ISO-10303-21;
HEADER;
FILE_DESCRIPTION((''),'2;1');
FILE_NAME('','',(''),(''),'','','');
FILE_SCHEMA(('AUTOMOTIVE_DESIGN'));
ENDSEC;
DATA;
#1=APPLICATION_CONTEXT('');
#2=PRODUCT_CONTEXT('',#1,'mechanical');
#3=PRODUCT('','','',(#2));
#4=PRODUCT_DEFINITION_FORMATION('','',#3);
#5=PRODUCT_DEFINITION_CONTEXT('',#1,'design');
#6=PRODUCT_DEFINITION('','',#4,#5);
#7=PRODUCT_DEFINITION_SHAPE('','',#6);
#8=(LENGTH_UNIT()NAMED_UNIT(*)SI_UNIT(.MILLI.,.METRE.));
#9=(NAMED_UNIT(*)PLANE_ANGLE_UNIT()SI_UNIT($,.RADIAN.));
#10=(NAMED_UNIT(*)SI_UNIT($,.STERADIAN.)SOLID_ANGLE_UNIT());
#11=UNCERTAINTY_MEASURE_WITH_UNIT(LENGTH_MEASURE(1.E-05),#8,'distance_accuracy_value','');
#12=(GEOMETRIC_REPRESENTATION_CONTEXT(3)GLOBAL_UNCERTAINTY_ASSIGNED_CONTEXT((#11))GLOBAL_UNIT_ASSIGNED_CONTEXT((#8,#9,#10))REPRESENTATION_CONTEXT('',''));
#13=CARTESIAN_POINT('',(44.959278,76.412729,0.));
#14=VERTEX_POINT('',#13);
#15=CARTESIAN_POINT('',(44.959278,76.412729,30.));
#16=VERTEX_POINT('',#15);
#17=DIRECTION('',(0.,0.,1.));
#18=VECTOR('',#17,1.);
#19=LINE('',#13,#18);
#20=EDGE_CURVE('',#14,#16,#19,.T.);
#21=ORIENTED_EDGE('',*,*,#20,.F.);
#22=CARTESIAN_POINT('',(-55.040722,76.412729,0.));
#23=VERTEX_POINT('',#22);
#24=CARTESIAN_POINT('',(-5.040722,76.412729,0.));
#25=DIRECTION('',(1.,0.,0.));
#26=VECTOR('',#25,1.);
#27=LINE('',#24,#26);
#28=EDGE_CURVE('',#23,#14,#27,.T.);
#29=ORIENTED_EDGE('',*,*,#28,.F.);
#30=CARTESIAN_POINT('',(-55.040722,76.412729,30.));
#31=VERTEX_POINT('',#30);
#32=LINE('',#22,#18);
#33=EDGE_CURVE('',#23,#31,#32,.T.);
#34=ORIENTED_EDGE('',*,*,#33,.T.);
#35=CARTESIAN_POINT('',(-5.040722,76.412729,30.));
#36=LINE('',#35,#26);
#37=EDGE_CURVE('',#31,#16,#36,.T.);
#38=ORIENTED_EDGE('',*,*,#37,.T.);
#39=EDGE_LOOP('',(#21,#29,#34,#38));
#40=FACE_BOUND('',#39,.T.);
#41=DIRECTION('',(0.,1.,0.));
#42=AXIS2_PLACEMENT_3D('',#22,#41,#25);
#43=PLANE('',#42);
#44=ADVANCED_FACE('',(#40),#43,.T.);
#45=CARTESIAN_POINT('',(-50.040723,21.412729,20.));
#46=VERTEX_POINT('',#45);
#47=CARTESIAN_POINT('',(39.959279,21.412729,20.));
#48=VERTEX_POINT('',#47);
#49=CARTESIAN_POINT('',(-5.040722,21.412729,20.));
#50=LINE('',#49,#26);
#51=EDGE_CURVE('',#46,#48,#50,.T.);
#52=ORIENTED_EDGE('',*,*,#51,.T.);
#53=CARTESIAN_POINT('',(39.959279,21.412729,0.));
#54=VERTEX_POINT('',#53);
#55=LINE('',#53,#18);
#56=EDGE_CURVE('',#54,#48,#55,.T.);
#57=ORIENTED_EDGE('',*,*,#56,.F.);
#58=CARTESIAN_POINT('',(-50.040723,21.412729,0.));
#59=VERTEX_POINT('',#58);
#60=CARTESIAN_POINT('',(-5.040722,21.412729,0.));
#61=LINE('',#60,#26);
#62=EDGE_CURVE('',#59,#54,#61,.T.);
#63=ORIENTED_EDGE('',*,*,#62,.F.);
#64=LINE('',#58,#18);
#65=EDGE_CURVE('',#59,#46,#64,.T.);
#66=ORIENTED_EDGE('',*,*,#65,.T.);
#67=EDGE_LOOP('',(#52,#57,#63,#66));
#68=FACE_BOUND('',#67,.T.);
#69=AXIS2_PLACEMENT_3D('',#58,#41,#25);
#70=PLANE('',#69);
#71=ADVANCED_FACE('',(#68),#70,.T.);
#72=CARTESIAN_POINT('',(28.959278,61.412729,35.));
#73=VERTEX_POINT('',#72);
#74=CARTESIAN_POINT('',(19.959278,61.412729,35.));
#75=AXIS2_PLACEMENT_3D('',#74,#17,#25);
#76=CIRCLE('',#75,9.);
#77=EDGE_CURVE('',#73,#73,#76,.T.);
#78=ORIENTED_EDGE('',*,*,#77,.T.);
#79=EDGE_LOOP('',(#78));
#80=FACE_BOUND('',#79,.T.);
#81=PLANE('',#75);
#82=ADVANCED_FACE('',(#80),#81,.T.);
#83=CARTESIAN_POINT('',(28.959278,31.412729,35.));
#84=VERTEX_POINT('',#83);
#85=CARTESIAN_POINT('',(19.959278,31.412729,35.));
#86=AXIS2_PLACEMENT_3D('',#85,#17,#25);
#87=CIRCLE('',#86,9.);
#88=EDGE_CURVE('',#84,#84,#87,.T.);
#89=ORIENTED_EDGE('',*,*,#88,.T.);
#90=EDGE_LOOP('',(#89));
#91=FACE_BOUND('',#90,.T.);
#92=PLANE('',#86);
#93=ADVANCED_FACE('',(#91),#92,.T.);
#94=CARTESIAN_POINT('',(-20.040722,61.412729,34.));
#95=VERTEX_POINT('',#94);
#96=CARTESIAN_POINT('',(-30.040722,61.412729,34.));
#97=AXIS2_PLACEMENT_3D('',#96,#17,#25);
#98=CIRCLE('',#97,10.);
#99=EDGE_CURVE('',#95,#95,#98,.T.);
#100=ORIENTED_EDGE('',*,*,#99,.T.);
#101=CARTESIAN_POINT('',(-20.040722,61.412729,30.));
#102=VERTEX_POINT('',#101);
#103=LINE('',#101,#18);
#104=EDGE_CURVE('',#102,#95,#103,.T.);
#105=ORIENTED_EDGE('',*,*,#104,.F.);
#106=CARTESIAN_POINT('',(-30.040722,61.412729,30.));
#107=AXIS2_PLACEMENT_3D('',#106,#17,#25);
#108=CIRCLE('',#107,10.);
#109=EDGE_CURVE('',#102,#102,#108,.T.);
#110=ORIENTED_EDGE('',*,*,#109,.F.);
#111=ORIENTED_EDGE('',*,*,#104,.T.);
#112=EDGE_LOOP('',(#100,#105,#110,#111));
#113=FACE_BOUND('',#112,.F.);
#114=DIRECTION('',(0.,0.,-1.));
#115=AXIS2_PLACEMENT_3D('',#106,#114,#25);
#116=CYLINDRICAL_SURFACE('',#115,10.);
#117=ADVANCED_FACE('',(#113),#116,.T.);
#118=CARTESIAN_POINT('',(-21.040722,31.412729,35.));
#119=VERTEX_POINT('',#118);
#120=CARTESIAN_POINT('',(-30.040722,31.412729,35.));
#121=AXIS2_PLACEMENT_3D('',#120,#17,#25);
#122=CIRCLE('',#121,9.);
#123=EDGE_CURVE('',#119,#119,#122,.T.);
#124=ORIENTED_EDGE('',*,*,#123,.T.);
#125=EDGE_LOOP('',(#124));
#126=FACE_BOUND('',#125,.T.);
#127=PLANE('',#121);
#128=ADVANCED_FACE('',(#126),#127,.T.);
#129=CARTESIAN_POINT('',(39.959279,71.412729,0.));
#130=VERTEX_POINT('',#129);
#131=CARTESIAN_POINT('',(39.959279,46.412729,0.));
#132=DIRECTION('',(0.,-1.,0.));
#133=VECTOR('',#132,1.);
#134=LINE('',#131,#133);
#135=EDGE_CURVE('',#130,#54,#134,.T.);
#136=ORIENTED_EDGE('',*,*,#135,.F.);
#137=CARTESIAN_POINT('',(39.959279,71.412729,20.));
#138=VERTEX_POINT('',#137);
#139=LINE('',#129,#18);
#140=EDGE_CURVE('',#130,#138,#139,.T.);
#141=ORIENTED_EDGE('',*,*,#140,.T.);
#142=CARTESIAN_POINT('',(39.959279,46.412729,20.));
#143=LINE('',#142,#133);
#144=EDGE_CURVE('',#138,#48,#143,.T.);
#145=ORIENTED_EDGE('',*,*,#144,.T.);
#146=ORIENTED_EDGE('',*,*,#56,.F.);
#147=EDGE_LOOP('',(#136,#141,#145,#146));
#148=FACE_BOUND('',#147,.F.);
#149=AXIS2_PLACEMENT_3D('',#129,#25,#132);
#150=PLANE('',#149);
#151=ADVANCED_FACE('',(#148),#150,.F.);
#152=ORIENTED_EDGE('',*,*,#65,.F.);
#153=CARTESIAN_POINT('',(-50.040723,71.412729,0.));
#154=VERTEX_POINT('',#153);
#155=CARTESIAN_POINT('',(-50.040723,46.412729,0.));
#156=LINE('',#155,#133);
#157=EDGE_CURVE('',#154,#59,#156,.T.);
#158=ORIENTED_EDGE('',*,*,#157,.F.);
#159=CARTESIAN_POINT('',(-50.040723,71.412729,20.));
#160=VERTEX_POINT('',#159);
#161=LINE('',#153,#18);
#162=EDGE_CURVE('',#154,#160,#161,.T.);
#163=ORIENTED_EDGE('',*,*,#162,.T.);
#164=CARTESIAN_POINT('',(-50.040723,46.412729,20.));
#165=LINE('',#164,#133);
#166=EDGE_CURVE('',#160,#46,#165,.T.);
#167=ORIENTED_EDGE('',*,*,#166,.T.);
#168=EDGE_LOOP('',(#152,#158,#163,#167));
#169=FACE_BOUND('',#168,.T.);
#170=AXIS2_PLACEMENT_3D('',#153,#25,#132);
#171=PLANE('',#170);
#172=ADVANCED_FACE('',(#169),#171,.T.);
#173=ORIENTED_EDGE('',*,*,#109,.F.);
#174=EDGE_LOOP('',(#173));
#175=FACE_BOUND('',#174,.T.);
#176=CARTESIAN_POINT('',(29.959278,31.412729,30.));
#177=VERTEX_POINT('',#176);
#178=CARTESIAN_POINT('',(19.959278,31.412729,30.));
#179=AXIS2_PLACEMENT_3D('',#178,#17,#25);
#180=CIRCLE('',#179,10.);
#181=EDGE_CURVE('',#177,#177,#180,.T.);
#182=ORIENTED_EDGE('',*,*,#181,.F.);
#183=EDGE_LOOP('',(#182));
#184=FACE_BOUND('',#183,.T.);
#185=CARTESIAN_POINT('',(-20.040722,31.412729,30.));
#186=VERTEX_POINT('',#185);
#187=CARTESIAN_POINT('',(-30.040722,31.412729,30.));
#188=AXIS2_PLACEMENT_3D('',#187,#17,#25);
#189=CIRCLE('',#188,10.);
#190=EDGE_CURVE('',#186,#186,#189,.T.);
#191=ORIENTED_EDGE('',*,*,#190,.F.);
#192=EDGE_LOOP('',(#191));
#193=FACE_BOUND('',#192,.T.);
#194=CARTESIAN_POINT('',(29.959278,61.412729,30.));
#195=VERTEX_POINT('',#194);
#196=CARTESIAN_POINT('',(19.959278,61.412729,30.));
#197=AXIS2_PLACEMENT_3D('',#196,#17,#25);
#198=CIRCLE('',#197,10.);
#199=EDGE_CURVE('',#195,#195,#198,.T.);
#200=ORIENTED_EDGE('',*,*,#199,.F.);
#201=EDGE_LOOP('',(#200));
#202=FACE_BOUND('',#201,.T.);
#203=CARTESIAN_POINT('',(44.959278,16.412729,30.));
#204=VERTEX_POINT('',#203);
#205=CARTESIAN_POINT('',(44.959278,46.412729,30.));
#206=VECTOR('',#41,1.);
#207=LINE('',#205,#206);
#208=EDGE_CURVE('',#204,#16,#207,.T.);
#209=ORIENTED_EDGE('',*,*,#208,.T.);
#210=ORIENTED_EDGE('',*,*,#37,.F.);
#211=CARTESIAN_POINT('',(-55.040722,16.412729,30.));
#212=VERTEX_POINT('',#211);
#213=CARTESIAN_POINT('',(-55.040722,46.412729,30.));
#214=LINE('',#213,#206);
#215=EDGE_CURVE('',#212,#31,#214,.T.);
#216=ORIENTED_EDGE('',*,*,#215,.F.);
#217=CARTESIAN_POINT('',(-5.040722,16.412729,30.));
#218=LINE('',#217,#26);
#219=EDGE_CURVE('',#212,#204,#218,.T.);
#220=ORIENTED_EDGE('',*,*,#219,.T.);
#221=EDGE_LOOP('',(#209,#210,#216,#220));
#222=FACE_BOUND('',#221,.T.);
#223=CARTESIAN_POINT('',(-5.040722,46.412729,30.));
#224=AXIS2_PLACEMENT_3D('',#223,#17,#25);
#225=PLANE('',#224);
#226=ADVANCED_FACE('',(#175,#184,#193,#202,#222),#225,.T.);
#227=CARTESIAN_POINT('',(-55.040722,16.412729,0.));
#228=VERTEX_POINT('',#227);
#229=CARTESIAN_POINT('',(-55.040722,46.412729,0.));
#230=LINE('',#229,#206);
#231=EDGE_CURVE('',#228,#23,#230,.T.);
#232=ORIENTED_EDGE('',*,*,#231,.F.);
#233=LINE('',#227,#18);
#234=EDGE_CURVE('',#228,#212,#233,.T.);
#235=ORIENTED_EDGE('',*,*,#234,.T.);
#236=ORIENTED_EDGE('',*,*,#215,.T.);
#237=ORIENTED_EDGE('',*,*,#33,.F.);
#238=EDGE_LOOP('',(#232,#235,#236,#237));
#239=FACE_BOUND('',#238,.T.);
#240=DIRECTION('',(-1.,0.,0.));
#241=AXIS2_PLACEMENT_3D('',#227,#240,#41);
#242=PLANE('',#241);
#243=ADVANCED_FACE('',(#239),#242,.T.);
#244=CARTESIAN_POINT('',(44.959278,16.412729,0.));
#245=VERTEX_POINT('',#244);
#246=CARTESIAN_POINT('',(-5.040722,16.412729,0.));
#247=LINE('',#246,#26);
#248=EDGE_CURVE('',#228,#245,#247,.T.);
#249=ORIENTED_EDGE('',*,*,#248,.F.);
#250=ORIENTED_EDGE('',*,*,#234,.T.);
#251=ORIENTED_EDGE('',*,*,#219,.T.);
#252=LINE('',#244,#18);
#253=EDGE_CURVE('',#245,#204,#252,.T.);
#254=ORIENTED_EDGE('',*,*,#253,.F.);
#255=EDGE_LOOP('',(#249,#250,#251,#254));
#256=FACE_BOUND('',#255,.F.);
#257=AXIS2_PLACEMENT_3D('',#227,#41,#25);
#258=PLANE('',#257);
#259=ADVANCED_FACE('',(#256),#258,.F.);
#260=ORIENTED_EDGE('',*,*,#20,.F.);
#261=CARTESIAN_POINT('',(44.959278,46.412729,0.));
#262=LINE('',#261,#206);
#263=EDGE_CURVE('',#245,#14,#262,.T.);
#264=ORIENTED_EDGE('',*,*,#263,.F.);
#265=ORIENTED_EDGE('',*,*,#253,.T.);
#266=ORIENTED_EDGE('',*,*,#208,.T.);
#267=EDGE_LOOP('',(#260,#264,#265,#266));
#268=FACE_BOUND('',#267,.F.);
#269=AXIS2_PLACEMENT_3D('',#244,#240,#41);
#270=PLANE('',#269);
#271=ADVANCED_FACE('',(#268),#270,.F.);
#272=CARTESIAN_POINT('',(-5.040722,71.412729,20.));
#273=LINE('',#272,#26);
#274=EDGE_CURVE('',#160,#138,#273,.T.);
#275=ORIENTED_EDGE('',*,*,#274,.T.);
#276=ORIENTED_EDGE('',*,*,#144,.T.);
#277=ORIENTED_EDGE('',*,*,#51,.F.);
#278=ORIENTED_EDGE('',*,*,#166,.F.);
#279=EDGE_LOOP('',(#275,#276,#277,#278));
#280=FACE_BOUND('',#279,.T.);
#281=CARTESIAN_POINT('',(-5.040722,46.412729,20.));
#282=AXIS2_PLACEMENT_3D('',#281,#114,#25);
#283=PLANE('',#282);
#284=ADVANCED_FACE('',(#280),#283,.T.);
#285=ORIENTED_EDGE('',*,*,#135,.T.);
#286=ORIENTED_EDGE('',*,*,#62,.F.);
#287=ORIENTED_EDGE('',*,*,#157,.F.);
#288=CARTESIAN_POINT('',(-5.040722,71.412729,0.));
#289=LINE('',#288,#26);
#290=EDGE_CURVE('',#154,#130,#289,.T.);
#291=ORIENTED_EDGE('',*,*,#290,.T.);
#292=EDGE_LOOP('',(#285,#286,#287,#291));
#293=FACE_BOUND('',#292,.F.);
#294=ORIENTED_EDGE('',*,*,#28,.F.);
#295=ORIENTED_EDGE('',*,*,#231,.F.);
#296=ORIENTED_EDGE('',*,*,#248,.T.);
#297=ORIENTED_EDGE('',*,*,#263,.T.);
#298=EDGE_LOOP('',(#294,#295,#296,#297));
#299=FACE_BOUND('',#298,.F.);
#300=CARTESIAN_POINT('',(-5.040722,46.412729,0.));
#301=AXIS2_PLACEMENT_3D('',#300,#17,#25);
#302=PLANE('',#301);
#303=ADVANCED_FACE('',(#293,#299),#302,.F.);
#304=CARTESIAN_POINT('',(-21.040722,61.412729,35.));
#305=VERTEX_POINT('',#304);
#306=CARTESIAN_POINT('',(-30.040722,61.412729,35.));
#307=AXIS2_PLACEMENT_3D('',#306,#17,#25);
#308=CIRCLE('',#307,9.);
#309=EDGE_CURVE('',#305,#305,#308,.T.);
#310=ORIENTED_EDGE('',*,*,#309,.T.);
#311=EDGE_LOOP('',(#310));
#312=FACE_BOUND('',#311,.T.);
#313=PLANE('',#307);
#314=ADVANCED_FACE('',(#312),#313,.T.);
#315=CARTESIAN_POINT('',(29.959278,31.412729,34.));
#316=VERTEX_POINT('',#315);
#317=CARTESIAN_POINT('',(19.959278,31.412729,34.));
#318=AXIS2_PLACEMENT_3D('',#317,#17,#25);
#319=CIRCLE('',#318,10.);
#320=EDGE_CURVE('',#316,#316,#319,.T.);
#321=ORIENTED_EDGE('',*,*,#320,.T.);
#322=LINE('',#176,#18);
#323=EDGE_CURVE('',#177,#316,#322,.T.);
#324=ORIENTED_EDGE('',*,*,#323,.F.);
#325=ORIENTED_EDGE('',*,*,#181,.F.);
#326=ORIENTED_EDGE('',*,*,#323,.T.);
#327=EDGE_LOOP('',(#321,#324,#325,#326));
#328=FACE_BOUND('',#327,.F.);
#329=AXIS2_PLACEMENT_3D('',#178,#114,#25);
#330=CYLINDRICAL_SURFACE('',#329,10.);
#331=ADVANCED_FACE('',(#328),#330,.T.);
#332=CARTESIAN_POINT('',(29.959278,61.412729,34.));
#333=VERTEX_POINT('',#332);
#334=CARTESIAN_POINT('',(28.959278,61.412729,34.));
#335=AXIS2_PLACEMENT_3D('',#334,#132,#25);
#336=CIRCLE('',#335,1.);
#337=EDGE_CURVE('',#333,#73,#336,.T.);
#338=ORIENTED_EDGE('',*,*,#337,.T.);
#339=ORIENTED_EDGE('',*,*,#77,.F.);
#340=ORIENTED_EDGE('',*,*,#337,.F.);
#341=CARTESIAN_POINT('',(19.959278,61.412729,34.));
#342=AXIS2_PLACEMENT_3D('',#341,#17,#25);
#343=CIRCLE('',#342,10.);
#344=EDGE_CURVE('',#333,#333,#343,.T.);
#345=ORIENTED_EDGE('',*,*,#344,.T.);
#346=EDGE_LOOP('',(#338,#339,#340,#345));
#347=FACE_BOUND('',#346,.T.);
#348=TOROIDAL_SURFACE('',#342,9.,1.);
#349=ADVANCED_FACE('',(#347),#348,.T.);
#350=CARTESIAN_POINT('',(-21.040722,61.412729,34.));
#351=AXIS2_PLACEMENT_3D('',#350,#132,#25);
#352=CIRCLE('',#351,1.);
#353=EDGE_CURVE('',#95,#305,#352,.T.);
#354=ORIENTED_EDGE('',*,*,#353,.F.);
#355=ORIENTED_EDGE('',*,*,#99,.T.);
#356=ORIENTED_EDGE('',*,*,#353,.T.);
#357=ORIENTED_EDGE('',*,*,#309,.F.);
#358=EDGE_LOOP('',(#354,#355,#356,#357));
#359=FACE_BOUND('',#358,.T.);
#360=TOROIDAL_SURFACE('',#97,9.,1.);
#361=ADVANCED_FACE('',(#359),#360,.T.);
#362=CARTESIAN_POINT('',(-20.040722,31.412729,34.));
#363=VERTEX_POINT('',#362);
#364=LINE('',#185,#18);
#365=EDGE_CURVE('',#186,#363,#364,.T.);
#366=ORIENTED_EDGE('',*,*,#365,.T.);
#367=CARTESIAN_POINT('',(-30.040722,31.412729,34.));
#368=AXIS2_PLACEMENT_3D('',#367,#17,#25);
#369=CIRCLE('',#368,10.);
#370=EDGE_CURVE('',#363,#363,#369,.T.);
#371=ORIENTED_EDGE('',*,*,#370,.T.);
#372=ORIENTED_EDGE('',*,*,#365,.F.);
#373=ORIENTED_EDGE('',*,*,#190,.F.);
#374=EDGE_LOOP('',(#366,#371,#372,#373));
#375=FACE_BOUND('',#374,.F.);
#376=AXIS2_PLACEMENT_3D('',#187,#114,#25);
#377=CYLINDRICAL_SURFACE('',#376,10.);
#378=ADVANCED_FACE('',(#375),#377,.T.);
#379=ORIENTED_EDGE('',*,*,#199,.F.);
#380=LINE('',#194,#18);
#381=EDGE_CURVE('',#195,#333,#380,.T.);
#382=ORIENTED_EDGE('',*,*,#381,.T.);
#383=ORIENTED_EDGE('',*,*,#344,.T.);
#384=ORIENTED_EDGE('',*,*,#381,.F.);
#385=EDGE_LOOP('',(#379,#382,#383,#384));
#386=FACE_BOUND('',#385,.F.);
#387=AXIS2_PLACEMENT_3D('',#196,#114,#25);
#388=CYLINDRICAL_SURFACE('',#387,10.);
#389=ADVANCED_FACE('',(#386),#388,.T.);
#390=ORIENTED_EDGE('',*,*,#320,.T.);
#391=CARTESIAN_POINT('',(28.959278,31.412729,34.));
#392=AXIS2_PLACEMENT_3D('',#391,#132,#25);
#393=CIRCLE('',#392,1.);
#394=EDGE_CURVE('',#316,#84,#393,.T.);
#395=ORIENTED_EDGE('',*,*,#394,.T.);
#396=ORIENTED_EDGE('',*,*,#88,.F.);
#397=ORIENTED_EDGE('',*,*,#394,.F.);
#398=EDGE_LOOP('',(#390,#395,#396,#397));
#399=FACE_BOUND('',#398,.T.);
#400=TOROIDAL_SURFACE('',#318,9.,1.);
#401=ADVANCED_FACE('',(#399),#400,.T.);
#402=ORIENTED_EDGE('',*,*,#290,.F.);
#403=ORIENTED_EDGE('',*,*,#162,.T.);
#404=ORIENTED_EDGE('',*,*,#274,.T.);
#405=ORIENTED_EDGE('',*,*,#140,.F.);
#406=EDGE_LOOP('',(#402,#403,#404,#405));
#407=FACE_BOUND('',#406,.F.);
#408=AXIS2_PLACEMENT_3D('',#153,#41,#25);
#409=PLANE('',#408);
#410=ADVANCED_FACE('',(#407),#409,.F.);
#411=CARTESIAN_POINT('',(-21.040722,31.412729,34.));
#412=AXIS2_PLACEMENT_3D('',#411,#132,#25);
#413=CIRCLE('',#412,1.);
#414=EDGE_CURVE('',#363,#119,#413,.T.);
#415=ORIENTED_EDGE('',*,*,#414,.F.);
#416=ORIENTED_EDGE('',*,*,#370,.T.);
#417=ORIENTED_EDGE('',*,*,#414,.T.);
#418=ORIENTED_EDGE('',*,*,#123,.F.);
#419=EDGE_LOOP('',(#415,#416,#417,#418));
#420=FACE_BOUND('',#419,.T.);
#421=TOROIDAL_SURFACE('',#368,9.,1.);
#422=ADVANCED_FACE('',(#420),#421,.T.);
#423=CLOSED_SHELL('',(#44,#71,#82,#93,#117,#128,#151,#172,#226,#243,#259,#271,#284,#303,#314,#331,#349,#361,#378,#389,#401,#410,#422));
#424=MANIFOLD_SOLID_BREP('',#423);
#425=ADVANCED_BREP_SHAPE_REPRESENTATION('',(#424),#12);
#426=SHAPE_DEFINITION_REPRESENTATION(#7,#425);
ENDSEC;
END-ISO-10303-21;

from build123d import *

# Parameters (mm, degrees)
F0_W     = 100
F0_H     = 60
F1_DEPTH = 30
F2_W     = 90.000001
F2_H     = 50.000001
F3_DEPTH = 20
F4_R     = 10
F5_DEPTH = 5
F6_R     = 1


with BuildPart() as f1:
    # F0 (on Top) → F1 (new body)
    with BuildSketch(Plane.XY):
        with Locations((-5.040722, 46.412729)):
            Rectangle(F0_W, F0_H)
    extrude(amount=F1_DEPTH)

    # F2 (on face) → F3 (cut)
    with BuildSketch(Plane(origin=(0, 0, 0), x_dir=(1, 0, 0), z_dir=(0, 0, -1))):
        with Locations((-5.040722, -46.412729)):
            Rectangle(F2_W, F2_H)
    extrude(amount=-F3_DEPTH, mode=Mode.SUBTRACT)

    # F4 (on face) → F5 (join)
    with BuildSketch(Plane.XY.offset(30)):
        with Locations((-30.040722, 61.412729)):
            Circle(F4_R)
        with Locations((-30.040722, 31.412729)):
            Circle(F4_R)
        with Locations((19.959278, 61.412729)):
            Circle(F4_R)
        with Locations((19.959278, 31.412729)):
            Circle(F4_R)
    extrude(amount=F5_DEPTH)

    # F6
    f6_edges = [f1.edges().sort_by_distance(p)[0] for p in [
        (-40.040722, 61.412729, 35),
        (9.959278, 61.412729, 35),
        (9.959278, 31.412729, 35),
        (-40.040722, 31.412729, 35),
    ]]
    fillet(f6_edges, radius=F6_R)


solid = f1.part
